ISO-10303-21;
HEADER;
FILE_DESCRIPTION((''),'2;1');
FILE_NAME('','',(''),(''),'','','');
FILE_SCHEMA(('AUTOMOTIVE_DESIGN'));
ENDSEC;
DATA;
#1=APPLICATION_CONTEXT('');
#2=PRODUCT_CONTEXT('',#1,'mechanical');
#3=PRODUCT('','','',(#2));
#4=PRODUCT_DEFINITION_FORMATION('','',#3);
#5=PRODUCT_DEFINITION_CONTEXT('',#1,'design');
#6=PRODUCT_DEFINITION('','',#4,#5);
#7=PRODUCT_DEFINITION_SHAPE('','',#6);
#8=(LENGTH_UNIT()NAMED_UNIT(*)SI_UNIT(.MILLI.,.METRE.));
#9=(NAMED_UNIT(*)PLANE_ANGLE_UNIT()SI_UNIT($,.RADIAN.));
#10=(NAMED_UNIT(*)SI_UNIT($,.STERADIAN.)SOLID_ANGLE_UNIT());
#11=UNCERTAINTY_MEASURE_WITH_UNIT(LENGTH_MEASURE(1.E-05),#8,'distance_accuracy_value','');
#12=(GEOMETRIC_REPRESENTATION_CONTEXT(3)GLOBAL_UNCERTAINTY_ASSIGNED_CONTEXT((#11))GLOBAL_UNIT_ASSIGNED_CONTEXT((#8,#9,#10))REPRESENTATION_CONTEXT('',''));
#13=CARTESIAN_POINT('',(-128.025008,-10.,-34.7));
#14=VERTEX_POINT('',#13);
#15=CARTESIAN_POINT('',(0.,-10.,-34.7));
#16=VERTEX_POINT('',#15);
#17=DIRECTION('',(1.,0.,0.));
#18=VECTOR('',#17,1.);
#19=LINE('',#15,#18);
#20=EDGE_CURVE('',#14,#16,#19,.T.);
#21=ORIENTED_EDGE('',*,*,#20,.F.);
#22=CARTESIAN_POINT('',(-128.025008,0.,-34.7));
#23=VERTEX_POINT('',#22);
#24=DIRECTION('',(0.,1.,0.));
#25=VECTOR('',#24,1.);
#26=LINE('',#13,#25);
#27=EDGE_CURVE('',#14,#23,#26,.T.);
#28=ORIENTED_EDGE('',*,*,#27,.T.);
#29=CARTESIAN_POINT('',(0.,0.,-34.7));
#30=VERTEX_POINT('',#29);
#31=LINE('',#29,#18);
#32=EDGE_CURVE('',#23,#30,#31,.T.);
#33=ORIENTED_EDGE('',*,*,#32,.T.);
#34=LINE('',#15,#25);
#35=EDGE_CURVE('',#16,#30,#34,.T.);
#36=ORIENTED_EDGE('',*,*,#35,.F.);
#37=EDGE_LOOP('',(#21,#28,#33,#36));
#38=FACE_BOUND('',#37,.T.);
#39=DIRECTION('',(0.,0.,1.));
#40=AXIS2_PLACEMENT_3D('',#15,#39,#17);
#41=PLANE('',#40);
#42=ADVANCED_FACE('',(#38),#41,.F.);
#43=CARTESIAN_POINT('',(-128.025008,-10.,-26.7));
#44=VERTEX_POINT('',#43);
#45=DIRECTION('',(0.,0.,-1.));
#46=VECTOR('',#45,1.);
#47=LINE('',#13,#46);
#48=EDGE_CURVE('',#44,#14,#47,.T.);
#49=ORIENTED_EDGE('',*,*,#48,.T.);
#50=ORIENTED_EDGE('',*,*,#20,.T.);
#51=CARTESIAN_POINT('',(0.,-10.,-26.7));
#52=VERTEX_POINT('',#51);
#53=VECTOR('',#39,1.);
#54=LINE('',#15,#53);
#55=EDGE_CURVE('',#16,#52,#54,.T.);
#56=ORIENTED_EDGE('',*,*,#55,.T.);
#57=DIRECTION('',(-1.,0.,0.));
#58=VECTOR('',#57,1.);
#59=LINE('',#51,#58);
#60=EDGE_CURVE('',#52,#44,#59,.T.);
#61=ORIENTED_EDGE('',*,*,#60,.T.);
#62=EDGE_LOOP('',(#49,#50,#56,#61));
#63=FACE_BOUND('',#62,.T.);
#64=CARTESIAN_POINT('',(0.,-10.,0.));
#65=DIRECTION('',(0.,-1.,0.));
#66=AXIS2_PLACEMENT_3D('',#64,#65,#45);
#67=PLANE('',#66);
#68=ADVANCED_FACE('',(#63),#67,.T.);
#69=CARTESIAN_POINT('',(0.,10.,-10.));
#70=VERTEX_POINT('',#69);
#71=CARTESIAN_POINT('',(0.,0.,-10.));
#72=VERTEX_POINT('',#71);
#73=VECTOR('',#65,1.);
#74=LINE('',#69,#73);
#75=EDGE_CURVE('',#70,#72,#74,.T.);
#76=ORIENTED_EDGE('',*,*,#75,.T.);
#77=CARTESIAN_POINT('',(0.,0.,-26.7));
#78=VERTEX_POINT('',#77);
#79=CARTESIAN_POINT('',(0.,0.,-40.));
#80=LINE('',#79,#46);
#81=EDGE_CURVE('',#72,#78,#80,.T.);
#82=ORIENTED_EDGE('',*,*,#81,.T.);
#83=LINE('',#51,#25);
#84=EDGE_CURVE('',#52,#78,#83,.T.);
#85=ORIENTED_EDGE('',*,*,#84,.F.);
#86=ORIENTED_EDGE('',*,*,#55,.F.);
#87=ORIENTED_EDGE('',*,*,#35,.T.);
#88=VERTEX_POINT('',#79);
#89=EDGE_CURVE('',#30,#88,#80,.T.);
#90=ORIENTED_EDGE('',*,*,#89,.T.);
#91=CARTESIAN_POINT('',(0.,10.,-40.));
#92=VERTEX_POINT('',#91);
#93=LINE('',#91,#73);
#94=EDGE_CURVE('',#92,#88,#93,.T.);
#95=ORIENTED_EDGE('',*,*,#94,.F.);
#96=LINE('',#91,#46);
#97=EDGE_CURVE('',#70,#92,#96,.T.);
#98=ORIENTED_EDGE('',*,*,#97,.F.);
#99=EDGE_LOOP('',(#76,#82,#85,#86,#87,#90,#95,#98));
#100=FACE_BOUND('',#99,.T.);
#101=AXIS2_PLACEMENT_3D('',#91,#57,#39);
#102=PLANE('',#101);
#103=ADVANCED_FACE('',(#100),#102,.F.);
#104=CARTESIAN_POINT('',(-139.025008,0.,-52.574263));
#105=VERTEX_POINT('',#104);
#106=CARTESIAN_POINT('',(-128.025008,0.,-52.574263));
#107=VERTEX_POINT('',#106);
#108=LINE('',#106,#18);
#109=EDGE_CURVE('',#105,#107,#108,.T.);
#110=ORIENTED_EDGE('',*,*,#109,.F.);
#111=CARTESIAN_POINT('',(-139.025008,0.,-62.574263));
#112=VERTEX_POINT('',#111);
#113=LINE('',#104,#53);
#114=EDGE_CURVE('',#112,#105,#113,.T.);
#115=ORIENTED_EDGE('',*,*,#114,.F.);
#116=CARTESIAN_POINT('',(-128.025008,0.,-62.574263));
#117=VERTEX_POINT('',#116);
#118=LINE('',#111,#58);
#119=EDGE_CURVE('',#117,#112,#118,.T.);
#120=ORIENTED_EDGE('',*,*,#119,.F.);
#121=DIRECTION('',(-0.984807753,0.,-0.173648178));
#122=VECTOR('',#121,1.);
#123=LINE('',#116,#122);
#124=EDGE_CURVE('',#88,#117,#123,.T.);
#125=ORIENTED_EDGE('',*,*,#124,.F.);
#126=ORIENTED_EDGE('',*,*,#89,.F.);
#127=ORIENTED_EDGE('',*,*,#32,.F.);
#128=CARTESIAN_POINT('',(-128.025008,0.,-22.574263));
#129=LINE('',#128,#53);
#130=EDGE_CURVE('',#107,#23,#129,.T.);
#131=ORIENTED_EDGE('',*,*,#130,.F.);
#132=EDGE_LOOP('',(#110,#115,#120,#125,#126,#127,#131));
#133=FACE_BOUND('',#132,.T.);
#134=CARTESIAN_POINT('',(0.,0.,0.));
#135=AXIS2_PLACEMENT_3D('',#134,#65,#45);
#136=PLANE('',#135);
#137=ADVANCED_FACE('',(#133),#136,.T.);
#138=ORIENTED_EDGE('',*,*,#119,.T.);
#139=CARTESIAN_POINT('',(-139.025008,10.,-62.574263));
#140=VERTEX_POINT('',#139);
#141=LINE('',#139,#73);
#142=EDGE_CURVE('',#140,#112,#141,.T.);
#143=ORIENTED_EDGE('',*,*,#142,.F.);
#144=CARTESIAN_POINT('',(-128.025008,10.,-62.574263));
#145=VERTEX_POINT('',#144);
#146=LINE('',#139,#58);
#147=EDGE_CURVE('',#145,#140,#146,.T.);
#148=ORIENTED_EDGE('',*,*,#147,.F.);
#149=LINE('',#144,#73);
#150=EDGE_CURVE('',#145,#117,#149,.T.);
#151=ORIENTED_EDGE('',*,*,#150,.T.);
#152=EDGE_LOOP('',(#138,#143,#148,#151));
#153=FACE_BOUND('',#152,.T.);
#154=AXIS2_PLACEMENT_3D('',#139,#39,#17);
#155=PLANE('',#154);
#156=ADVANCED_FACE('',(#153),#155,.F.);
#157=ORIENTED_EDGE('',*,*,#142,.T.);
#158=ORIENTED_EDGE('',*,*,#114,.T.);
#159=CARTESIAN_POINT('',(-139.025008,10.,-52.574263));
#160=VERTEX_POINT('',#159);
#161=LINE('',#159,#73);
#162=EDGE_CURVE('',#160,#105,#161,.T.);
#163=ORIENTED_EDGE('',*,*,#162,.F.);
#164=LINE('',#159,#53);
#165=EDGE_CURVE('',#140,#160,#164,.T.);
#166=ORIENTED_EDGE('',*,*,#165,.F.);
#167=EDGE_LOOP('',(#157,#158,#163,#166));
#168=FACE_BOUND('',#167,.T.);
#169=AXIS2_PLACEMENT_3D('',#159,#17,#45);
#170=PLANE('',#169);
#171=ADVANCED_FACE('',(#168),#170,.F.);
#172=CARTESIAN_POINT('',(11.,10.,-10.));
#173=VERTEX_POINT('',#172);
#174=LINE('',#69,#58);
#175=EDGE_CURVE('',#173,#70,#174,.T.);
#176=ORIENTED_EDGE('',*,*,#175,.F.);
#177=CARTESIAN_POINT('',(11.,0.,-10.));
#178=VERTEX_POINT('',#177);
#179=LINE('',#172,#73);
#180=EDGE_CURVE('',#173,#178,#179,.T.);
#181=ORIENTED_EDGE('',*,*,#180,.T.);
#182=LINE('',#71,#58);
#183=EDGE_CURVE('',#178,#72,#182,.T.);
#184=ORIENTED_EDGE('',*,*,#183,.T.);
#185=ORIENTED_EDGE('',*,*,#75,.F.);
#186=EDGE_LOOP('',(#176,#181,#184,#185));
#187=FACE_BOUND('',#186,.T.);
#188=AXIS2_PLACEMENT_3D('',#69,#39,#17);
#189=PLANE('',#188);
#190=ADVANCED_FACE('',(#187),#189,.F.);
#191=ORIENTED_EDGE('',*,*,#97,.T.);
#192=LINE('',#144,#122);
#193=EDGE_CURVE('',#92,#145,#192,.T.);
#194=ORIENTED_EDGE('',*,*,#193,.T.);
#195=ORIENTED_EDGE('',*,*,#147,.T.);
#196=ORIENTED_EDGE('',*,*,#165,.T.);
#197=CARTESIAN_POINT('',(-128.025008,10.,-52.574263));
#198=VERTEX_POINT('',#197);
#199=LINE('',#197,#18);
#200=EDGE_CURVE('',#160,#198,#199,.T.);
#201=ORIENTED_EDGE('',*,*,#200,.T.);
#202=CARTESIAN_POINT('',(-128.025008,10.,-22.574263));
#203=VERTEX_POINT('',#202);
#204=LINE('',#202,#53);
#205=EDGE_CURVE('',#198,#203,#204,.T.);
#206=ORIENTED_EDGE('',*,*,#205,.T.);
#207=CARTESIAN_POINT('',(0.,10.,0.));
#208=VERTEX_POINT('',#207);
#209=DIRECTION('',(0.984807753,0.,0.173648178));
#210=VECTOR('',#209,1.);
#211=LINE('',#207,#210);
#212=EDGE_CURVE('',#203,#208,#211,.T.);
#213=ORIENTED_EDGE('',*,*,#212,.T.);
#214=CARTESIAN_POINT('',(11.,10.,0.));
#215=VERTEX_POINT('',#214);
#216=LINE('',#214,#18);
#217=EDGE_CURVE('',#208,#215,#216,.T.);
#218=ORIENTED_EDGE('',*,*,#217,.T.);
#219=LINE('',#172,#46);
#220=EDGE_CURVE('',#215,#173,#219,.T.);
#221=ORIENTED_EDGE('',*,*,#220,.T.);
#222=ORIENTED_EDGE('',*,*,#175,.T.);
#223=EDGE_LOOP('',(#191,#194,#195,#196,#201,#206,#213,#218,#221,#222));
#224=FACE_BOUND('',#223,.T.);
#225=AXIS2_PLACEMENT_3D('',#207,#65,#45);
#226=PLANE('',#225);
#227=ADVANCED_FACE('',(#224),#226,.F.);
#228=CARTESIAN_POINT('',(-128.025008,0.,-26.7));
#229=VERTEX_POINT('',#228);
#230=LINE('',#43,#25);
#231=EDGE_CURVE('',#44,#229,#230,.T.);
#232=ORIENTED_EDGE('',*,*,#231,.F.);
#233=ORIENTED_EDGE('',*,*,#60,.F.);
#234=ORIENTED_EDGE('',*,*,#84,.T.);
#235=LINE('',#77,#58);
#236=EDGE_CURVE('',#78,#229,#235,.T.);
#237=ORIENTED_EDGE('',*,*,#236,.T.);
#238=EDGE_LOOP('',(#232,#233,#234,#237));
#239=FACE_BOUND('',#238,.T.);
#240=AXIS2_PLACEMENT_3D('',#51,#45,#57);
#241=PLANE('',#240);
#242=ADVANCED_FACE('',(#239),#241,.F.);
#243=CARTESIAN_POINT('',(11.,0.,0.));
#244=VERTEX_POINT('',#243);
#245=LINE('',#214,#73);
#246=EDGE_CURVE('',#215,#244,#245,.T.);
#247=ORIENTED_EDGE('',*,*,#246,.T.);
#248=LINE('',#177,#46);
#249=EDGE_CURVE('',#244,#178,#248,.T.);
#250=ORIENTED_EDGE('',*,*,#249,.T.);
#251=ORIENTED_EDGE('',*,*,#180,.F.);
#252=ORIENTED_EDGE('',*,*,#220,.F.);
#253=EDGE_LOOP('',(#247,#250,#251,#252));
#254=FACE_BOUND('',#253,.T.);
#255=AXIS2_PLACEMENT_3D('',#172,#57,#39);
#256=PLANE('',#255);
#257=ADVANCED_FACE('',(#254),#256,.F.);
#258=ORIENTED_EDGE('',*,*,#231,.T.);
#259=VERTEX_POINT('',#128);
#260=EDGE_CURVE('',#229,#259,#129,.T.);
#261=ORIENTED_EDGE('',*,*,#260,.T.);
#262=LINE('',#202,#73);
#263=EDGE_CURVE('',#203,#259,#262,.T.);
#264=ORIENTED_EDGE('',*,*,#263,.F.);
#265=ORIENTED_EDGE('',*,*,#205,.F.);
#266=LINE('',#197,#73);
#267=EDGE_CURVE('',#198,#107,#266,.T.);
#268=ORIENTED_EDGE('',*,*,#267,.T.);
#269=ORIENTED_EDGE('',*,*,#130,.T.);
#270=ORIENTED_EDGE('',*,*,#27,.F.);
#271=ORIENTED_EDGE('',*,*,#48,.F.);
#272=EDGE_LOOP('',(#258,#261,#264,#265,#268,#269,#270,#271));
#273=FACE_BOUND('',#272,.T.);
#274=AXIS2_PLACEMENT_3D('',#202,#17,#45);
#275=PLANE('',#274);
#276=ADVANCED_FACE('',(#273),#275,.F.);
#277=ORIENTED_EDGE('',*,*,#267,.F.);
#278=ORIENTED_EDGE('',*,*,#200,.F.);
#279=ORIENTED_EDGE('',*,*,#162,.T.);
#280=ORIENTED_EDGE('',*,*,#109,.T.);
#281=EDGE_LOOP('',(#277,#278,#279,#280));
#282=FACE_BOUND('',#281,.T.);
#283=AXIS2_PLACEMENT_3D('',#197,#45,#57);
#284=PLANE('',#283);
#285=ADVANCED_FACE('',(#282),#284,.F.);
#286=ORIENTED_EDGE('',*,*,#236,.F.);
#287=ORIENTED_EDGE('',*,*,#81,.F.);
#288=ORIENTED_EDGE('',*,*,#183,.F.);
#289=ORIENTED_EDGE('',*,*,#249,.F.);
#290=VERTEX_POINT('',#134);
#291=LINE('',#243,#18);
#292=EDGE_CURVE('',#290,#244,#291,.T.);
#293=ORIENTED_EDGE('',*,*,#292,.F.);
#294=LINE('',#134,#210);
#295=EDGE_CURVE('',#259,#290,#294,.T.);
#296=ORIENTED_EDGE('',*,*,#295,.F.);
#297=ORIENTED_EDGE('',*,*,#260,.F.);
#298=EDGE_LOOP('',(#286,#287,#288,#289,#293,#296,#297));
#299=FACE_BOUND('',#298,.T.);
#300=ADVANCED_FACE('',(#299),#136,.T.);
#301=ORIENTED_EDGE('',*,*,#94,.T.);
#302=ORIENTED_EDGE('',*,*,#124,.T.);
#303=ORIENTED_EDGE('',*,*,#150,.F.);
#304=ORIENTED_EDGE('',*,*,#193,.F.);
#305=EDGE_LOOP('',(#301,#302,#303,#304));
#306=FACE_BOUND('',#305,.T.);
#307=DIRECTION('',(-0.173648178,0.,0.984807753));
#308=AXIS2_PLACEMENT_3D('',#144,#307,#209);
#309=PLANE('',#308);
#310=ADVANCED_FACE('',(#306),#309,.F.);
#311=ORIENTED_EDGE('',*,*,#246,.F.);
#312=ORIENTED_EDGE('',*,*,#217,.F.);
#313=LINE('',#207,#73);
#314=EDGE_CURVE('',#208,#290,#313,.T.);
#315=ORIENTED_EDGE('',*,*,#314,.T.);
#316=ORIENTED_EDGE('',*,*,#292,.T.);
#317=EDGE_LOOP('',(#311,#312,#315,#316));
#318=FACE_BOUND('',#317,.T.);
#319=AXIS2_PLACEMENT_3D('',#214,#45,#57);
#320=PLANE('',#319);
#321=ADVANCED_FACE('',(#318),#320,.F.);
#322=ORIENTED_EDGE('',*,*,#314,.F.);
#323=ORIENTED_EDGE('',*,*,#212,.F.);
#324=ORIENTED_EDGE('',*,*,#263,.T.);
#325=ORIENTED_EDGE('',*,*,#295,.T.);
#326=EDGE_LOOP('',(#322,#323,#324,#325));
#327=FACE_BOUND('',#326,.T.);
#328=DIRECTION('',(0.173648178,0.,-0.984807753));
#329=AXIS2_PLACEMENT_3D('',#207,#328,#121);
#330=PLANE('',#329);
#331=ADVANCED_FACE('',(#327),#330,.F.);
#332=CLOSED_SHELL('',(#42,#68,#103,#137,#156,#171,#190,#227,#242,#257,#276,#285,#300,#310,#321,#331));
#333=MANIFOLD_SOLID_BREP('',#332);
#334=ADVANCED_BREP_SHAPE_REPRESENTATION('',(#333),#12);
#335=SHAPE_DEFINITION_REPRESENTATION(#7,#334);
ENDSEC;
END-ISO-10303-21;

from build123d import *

# Parameters (mm, degrees)
BOSS_EXTRUDE1_DEPTH = 10
SKETCH6_W           = 128.025007892
SKETCH6_H           = 8
BOSS_EXTRUDE3_DEPTH = 10


with BuildPart() as part:
    # Sketch1 → Boss-Extrude1 (new body)
    with BuildSketch(Plane(origin=(0, 0, 0), x_dir=(1, 0, 0), z_dir=(0, 1, 0))):
        Polygon((0, 0), (-128.025007892, 22.574263097), (-128.025007892, 52.574263097), (-139.025007892, 52.574263097), (-139.025007892, 62.574263097), (-128.025007892, 62.574263097), (0, 40), (0, 10), (11, 10), (11, 0), align=None)
    extrude(amount=BOSS_EXTRUDE1_DEPTH)

    # Sketch6 → Boss-Extrude3 (add)
    with BuildSketch(Plane.XZ):
        with Locations((-64.012503946, -30.7)):
            Rectangle(SKETCH6_W, SKETCH6_H)
    extrude(amount=BOSS_EXTRUDE3_DEPTH)


solid = part.part
